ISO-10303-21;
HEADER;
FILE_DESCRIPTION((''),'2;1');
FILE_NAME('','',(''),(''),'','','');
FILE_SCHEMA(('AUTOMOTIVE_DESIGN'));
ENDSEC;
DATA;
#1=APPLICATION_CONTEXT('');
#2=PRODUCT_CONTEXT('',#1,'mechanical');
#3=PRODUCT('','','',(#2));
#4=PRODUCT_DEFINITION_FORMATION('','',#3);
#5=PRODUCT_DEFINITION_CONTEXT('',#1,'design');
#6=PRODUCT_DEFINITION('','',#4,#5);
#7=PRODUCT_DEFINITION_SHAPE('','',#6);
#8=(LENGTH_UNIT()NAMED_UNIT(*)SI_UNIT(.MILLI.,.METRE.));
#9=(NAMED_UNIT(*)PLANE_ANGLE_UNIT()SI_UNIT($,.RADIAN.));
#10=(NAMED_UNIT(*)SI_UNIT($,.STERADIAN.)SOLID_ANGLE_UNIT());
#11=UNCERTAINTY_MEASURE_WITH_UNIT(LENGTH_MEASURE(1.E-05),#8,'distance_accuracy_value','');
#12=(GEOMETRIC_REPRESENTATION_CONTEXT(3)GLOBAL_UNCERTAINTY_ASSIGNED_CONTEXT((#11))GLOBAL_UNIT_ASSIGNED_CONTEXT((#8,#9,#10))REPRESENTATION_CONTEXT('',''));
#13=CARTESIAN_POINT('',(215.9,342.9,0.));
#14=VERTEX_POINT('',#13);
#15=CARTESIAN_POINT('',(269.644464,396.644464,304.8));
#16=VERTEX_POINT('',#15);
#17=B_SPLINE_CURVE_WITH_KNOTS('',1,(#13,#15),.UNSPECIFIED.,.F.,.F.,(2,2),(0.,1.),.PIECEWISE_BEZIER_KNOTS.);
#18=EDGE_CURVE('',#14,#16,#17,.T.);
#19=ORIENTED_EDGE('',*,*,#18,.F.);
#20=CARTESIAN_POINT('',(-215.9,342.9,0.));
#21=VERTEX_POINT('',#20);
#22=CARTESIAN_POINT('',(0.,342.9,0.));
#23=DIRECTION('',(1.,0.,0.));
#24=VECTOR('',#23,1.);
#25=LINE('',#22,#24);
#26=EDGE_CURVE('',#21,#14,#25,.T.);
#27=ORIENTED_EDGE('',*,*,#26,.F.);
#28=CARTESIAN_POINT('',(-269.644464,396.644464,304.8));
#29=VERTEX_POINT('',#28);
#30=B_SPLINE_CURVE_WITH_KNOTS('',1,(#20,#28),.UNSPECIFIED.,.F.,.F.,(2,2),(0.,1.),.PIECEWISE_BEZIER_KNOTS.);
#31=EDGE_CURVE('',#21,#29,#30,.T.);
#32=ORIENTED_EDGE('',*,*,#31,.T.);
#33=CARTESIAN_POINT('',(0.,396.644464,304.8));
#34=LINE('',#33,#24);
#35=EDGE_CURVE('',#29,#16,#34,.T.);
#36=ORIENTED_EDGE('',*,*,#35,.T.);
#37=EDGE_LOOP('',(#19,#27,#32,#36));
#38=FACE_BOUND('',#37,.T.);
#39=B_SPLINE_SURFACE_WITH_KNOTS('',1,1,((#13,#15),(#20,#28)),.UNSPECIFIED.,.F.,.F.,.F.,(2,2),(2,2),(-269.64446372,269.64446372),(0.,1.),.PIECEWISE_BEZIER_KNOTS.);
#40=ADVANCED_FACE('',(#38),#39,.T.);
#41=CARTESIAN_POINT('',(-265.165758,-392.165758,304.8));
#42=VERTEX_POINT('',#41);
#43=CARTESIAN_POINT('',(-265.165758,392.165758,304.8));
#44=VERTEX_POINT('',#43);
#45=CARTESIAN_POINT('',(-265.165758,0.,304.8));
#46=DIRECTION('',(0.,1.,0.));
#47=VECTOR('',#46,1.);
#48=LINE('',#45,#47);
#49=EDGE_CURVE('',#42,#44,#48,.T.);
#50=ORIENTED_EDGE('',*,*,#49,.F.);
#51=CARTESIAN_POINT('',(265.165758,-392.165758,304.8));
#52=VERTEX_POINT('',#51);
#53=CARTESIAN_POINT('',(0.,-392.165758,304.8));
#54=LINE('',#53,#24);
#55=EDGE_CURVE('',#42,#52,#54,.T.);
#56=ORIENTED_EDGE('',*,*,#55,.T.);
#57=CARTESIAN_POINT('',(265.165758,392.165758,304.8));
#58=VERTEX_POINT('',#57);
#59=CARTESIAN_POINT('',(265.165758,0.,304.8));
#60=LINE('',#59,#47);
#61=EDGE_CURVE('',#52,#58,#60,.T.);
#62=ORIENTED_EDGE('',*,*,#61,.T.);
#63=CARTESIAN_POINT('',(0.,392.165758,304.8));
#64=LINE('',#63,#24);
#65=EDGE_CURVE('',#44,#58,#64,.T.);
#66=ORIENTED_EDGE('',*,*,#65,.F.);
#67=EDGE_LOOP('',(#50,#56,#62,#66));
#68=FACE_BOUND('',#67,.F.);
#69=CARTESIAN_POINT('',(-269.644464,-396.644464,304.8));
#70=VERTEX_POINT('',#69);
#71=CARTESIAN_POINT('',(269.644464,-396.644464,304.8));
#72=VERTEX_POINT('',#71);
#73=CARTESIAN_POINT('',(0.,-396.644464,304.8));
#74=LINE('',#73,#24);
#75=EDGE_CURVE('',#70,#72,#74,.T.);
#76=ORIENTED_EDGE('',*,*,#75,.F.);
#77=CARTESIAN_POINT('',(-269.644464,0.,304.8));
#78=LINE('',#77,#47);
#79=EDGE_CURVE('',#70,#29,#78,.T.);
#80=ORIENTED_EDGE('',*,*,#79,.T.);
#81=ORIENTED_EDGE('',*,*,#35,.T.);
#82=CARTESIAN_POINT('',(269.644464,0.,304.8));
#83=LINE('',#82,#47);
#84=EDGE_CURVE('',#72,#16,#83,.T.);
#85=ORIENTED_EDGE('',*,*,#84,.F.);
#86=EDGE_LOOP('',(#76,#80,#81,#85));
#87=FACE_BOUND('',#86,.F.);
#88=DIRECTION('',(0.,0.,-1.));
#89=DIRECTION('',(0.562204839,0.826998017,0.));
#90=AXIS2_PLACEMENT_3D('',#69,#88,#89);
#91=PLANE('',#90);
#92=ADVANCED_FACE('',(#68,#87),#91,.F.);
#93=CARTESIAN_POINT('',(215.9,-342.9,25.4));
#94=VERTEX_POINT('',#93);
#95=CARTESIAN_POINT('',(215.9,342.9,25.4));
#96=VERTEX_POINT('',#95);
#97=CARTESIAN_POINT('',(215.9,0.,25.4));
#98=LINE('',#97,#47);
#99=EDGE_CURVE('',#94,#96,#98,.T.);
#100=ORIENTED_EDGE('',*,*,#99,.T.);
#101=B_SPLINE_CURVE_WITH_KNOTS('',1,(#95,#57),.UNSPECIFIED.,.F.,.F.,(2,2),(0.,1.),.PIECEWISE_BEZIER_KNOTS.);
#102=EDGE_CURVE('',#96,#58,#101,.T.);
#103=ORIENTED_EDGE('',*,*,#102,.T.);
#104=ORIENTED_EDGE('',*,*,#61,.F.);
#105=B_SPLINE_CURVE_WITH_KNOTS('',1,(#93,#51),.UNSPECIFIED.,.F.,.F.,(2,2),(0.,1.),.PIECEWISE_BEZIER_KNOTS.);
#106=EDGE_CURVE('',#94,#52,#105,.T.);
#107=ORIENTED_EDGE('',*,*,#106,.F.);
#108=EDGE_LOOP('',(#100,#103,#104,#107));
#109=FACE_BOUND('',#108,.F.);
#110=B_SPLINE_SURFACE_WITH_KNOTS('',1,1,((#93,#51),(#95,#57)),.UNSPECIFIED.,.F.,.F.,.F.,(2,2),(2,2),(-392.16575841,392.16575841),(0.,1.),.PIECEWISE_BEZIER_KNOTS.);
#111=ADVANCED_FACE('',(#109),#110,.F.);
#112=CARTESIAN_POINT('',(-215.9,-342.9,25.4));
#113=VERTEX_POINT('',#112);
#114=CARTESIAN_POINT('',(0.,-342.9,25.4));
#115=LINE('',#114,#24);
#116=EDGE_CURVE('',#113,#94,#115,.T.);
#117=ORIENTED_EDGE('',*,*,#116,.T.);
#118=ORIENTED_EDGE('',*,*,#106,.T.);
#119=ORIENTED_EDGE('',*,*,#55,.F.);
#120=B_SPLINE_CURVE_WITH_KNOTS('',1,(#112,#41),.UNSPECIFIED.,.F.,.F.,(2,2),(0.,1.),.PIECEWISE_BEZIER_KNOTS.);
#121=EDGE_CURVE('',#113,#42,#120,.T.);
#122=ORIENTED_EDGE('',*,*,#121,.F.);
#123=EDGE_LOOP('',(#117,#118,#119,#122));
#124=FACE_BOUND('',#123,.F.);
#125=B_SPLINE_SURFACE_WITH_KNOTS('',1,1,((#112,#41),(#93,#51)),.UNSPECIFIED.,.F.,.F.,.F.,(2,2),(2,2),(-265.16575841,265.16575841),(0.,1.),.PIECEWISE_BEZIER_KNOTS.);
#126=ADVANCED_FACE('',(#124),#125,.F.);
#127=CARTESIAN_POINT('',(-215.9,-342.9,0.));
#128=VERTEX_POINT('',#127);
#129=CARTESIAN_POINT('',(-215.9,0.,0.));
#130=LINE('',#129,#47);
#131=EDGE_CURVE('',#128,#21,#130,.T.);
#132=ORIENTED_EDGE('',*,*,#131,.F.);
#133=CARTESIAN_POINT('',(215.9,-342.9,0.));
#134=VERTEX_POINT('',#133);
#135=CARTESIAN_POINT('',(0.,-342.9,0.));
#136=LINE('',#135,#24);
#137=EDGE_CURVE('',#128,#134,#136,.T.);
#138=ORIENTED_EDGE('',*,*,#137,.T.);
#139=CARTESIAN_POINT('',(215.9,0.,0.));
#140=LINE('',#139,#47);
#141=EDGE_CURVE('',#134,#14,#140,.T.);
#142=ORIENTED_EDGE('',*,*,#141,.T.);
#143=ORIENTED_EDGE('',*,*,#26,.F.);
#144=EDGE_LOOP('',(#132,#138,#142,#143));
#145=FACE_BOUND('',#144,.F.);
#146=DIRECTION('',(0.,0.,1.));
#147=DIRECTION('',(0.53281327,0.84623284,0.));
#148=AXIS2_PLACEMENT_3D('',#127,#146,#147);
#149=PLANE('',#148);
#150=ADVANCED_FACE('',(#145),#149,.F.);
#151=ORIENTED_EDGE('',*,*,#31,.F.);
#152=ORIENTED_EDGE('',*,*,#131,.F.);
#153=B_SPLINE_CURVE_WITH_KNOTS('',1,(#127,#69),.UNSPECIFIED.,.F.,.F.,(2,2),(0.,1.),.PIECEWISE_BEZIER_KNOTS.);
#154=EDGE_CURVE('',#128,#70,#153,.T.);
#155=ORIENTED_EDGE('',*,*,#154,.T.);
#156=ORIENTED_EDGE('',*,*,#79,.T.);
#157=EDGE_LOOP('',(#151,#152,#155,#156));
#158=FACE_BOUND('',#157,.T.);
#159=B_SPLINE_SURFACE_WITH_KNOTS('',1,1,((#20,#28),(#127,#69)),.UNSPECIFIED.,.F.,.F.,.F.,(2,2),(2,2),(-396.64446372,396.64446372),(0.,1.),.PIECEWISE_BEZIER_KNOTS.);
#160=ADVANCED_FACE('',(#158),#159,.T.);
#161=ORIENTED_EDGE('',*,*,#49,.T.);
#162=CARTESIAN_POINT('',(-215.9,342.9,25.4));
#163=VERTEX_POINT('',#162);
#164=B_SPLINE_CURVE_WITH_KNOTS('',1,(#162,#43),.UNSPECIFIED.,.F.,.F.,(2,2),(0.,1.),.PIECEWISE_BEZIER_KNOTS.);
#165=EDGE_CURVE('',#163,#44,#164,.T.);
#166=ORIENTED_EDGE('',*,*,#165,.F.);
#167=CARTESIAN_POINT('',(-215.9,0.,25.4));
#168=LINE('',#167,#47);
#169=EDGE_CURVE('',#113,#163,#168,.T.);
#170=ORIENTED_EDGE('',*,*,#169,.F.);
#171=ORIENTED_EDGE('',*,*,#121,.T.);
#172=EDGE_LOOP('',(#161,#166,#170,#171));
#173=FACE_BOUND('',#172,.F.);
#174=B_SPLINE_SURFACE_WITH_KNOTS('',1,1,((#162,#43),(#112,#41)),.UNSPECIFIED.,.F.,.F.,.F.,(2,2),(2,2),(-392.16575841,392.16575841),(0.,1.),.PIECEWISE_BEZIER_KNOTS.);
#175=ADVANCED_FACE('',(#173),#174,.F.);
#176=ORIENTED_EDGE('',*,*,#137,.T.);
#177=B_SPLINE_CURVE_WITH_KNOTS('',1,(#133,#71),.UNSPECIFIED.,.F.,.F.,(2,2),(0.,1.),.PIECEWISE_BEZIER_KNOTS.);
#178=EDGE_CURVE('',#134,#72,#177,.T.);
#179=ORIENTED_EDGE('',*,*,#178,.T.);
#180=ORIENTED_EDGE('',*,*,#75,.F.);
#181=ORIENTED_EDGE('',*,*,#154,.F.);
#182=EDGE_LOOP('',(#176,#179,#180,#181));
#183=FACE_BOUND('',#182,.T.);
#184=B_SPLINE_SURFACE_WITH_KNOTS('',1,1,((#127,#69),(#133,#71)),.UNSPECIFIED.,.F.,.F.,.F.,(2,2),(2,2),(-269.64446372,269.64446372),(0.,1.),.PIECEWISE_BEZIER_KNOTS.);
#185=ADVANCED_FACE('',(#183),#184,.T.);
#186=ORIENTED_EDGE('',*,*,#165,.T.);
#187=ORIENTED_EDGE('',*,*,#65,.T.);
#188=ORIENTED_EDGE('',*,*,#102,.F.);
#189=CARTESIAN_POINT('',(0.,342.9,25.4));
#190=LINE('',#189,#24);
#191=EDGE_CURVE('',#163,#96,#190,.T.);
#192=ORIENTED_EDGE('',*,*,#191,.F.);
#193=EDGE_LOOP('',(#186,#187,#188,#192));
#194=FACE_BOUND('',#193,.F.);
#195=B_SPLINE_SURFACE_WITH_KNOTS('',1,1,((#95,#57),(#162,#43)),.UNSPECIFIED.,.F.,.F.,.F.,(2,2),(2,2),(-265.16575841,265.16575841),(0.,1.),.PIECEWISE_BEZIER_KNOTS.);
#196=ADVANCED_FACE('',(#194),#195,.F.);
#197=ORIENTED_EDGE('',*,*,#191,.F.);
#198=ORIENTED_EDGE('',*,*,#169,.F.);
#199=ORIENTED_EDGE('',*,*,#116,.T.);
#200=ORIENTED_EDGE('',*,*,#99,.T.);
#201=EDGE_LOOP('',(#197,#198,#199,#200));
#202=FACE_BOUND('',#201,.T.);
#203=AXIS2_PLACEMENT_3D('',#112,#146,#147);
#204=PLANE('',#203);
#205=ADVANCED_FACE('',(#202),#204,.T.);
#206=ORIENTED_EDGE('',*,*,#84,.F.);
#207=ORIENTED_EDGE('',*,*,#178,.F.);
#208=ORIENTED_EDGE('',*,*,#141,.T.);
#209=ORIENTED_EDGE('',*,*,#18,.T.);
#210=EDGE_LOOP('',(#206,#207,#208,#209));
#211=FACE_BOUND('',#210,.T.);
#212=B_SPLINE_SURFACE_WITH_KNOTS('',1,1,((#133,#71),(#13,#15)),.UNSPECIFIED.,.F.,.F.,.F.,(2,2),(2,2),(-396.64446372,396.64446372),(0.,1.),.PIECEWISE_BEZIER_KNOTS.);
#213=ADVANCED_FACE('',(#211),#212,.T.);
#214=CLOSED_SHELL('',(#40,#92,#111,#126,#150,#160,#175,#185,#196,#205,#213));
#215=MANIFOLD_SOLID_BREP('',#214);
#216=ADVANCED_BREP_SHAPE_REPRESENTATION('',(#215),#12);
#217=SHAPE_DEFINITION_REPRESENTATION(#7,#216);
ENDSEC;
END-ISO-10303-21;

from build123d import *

# Parameters (mm, degrees)
F0_W     = 431.8
F0_H     = 685.8
F1_DEPTH = 304.8
F1_TAPER = -10
F3_W     = 431.8
F3_H     = 685.8
F4_DEPTH = 279.4
F4_TAPER = -10


with BuildPart() as f1:
    # F0 (on Top) → F1 (new body)
    with BuildSketch(Plane.XY):
        Rectangle(F0_W, F0_H)
    extrude(amount=F1_DEPTH, taper=F1_TAPER)

    # F3 (on offset) → F4 (cut)
    with BuildSketch(Plane.XY.offset(25.4)):
        Rectangle(F3_W, F3_H)
    extrude(amount=F4_DEPTH, taper=F4_TAPER, mode=Mode.SUBTRACT)


solid = f1.part
